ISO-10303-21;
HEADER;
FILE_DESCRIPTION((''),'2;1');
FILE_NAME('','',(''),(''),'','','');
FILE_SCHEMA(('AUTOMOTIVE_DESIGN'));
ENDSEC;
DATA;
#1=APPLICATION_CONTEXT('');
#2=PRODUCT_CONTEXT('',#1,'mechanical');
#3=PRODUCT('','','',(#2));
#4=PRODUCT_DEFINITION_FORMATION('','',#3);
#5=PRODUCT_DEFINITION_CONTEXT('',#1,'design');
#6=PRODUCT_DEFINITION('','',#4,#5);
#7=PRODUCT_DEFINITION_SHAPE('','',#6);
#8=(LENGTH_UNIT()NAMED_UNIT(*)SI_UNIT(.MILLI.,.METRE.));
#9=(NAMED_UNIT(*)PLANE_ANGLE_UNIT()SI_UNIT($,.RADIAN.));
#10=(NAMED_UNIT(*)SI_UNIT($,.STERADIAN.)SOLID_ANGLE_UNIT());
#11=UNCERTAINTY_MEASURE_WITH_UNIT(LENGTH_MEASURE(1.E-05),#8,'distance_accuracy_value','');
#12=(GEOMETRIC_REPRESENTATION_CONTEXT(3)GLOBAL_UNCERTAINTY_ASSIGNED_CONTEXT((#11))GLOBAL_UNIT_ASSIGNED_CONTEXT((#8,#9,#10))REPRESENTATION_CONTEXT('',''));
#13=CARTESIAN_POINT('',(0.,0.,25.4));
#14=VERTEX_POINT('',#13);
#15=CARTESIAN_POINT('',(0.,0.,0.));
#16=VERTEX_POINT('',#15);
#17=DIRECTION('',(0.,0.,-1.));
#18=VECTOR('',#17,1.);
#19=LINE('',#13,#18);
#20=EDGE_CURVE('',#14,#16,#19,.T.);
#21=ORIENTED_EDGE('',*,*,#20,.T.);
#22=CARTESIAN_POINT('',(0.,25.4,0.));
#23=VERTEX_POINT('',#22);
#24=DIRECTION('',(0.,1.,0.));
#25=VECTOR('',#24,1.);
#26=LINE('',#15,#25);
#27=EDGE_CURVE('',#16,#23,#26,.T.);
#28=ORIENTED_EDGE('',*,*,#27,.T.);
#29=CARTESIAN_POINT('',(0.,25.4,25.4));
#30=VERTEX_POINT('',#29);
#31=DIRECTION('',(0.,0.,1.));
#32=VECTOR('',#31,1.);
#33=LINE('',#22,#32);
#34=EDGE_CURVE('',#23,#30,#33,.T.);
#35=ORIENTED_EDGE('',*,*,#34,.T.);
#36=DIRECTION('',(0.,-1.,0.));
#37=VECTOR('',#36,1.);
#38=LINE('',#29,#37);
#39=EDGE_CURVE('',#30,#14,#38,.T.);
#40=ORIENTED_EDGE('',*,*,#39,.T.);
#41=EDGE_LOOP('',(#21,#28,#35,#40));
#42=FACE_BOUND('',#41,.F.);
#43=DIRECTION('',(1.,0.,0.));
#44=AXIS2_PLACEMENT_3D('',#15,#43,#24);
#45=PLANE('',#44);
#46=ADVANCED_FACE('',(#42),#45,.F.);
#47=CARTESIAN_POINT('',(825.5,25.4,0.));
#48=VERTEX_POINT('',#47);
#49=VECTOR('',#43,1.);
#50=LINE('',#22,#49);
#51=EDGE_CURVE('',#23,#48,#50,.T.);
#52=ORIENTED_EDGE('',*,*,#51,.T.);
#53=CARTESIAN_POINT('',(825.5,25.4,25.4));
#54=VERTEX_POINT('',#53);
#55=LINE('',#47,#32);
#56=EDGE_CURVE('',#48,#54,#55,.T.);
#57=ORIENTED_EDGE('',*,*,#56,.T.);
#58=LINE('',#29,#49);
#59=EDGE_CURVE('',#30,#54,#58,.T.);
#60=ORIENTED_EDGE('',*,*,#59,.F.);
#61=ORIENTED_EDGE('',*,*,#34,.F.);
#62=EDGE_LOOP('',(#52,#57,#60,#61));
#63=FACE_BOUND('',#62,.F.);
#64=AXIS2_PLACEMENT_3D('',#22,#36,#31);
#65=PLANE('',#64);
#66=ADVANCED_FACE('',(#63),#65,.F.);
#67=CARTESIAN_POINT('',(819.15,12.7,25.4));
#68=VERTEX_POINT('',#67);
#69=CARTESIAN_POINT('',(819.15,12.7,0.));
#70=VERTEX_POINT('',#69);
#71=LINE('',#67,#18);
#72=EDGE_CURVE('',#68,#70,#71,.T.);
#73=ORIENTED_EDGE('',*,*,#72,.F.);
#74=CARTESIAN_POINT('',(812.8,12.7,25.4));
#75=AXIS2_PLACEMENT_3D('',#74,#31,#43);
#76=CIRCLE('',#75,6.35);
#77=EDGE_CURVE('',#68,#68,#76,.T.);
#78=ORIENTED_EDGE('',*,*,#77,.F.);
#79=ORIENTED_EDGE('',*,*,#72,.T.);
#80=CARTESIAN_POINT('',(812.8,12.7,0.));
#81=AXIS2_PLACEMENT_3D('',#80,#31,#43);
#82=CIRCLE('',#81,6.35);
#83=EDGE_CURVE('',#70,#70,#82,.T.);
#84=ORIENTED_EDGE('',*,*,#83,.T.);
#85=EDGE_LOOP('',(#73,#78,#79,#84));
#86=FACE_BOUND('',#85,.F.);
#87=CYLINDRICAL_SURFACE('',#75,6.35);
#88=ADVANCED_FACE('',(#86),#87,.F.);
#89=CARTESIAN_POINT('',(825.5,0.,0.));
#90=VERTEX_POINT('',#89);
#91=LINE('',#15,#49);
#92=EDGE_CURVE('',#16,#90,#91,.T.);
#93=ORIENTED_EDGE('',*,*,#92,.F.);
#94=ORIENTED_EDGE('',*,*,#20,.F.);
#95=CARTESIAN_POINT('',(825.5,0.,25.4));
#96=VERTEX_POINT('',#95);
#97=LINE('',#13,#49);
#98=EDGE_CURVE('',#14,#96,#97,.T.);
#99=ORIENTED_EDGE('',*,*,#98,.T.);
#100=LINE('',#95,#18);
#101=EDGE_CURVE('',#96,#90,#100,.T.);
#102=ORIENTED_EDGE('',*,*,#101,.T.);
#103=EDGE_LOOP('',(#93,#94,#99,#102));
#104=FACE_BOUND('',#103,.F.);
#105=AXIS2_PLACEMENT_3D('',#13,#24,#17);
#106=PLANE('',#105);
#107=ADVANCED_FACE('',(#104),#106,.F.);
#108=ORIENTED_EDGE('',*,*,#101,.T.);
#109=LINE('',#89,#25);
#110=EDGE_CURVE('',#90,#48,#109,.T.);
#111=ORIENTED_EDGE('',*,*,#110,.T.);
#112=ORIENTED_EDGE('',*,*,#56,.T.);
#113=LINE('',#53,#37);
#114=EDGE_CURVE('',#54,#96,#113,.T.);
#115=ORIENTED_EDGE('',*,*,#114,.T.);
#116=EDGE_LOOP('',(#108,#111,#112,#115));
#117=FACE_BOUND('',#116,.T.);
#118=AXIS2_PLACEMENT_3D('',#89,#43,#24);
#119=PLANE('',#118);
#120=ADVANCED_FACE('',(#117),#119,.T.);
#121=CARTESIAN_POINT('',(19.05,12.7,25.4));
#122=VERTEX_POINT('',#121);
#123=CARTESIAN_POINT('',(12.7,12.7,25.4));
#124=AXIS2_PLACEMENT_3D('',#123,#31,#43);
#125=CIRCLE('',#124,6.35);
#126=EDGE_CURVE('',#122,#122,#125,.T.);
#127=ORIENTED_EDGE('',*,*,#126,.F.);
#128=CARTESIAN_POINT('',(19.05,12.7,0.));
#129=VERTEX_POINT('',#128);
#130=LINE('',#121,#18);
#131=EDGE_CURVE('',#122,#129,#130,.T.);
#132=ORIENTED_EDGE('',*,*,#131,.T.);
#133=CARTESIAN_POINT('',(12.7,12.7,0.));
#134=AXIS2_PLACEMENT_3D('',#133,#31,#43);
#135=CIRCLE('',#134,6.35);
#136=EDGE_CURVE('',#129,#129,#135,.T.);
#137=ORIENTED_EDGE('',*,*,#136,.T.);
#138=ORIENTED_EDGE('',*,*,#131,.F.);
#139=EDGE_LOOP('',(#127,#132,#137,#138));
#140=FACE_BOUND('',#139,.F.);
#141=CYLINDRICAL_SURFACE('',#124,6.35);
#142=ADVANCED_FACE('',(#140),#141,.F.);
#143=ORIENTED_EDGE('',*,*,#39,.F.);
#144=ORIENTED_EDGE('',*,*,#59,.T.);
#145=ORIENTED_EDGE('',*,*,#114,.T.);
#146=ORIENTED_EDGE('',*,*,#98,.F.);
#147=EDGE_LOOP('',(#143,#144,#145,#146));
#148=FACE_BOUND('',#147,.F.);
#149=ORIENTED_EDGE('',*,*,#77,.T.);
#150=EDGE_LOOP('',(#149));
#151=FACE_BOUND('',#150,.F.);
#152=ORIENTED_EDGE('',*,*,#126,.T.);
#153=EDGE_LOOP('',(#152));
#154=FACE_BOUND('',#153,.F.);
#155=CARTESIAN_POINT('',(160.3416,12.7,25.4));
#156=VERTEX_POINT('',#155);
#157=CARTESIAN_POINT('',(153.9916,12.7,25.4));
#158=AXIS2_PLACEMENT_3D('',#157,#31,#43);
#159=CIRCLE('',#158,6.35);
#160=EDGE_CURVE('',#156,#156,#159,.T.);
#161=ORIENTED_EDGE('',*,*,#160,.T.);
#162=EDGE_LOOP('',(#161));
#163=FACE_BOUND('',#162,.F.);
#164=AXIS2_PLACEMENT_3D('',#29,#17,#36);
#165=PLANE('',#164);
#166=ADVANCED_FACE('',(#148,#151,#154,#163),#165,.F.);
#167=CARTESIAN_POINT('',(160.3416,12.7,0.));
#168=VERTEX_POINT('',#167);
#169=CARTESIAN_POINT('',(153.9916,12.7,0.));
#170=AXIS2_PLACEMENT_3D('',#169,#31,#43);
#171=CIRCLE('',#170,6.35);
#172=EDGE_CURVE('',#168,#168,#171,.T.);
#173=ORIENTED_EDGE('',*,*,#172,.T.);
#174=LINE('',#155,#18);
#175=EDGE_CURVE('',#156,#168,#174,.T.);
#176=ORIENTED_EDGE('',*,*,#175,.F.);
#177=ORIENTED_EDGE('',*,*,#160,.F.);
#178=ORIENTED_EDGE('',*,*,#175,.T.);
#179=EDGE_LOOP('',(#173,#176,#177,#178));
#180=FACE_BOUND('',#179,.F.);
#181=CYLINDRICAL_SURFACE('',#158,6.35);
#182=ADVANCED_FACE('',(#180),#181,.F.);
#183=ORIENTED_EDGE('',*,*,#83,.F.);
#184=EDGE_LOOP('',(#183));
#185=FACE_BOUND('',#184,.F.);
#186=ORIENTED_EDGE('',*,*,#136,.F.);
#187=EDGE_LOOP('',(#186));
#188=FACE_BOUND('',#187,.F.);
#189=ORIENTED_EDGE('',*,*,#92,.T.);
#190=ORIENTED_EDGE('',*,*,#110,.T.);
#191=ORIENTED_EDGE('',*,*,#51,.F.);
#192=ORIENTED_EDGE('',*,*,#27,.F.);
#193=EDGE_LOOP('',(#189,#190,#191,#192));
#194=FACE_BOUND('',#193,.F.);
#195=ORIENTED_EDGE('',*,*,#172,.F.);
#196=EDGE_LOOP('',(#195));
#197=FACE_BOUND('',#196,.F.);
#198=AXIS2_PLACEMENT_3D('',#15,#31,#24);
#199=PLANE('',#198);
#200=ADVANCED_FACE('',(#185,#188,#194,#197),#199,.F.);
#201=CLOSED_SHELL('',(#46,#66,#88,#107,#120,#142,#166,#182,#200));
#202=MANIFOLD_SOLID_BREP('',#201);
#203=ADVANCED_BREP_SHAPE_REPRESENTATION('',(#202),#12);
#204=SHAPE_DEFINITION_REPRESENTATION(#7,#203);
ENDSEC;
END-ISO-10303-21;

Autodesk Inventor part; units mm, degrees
ref_plane "YZ Plane" through (0, 0, 0) normal (1, 0, 0) x (0, 1, 0)
ref_plane "XZ Plane" through (0, 0, 0) normal (0, 1, 0) x (-1, 0, 0)
ref_plane "XY Plane" through (0, 0, 0) normal (0, 0, 1) x (1, 0, 0)
sketch "Sketch1" plane through (0, 0, 0) normal (1, 0, 0) x (0, 1, 0)
  line L0 (0, 0) -> (25.4, 0)
  line L1 (25.4, 0) -> (25.4, 25.4)
  line L2 (25.4, 25.4) -> (0, 25.4)
  line L3 (0, 25.4) -> (0, 0)
  dimension "d0" = 25.4
  dimension "d1" = 25.4
extrude "Extrusion1" add sketch "Sketch1" along normal blind 825.5
sketch "Sketch2" plane through (0, 0, 25.4) normal (0, 0, 1) x (1, 0, 0)
  circle A0 centre (12.7, 12.7) radius 6.35
  line L0 (0, 25.4) -> (825.5, 25.4) projected
  line L1 (0, 0) -> (0, 25.4) projected
  circle A1 centre (812.8, 12.7) radius 6.35
  line L2 (825.5, 25.4) -> (825.5, 0) projected
  circle A2 centre (153.9916, 12.7) radius 6.35
  dimension "d4" = 12.7
  dimension "d5" = 12.7
  dimension "d6" = 12.7
  dimension "d9" = 12.7
  dimension "d10" = 12.7
  dimension "d11" = 12.7
  dimension "d24" = 12.7
  dimension "d25" = 12.7
  dimension "d26" = 153.9916
extrude "Extrusion2" cut sketch "Sketch2" against normal blind 1016
properties material "Aluminum 6061"
